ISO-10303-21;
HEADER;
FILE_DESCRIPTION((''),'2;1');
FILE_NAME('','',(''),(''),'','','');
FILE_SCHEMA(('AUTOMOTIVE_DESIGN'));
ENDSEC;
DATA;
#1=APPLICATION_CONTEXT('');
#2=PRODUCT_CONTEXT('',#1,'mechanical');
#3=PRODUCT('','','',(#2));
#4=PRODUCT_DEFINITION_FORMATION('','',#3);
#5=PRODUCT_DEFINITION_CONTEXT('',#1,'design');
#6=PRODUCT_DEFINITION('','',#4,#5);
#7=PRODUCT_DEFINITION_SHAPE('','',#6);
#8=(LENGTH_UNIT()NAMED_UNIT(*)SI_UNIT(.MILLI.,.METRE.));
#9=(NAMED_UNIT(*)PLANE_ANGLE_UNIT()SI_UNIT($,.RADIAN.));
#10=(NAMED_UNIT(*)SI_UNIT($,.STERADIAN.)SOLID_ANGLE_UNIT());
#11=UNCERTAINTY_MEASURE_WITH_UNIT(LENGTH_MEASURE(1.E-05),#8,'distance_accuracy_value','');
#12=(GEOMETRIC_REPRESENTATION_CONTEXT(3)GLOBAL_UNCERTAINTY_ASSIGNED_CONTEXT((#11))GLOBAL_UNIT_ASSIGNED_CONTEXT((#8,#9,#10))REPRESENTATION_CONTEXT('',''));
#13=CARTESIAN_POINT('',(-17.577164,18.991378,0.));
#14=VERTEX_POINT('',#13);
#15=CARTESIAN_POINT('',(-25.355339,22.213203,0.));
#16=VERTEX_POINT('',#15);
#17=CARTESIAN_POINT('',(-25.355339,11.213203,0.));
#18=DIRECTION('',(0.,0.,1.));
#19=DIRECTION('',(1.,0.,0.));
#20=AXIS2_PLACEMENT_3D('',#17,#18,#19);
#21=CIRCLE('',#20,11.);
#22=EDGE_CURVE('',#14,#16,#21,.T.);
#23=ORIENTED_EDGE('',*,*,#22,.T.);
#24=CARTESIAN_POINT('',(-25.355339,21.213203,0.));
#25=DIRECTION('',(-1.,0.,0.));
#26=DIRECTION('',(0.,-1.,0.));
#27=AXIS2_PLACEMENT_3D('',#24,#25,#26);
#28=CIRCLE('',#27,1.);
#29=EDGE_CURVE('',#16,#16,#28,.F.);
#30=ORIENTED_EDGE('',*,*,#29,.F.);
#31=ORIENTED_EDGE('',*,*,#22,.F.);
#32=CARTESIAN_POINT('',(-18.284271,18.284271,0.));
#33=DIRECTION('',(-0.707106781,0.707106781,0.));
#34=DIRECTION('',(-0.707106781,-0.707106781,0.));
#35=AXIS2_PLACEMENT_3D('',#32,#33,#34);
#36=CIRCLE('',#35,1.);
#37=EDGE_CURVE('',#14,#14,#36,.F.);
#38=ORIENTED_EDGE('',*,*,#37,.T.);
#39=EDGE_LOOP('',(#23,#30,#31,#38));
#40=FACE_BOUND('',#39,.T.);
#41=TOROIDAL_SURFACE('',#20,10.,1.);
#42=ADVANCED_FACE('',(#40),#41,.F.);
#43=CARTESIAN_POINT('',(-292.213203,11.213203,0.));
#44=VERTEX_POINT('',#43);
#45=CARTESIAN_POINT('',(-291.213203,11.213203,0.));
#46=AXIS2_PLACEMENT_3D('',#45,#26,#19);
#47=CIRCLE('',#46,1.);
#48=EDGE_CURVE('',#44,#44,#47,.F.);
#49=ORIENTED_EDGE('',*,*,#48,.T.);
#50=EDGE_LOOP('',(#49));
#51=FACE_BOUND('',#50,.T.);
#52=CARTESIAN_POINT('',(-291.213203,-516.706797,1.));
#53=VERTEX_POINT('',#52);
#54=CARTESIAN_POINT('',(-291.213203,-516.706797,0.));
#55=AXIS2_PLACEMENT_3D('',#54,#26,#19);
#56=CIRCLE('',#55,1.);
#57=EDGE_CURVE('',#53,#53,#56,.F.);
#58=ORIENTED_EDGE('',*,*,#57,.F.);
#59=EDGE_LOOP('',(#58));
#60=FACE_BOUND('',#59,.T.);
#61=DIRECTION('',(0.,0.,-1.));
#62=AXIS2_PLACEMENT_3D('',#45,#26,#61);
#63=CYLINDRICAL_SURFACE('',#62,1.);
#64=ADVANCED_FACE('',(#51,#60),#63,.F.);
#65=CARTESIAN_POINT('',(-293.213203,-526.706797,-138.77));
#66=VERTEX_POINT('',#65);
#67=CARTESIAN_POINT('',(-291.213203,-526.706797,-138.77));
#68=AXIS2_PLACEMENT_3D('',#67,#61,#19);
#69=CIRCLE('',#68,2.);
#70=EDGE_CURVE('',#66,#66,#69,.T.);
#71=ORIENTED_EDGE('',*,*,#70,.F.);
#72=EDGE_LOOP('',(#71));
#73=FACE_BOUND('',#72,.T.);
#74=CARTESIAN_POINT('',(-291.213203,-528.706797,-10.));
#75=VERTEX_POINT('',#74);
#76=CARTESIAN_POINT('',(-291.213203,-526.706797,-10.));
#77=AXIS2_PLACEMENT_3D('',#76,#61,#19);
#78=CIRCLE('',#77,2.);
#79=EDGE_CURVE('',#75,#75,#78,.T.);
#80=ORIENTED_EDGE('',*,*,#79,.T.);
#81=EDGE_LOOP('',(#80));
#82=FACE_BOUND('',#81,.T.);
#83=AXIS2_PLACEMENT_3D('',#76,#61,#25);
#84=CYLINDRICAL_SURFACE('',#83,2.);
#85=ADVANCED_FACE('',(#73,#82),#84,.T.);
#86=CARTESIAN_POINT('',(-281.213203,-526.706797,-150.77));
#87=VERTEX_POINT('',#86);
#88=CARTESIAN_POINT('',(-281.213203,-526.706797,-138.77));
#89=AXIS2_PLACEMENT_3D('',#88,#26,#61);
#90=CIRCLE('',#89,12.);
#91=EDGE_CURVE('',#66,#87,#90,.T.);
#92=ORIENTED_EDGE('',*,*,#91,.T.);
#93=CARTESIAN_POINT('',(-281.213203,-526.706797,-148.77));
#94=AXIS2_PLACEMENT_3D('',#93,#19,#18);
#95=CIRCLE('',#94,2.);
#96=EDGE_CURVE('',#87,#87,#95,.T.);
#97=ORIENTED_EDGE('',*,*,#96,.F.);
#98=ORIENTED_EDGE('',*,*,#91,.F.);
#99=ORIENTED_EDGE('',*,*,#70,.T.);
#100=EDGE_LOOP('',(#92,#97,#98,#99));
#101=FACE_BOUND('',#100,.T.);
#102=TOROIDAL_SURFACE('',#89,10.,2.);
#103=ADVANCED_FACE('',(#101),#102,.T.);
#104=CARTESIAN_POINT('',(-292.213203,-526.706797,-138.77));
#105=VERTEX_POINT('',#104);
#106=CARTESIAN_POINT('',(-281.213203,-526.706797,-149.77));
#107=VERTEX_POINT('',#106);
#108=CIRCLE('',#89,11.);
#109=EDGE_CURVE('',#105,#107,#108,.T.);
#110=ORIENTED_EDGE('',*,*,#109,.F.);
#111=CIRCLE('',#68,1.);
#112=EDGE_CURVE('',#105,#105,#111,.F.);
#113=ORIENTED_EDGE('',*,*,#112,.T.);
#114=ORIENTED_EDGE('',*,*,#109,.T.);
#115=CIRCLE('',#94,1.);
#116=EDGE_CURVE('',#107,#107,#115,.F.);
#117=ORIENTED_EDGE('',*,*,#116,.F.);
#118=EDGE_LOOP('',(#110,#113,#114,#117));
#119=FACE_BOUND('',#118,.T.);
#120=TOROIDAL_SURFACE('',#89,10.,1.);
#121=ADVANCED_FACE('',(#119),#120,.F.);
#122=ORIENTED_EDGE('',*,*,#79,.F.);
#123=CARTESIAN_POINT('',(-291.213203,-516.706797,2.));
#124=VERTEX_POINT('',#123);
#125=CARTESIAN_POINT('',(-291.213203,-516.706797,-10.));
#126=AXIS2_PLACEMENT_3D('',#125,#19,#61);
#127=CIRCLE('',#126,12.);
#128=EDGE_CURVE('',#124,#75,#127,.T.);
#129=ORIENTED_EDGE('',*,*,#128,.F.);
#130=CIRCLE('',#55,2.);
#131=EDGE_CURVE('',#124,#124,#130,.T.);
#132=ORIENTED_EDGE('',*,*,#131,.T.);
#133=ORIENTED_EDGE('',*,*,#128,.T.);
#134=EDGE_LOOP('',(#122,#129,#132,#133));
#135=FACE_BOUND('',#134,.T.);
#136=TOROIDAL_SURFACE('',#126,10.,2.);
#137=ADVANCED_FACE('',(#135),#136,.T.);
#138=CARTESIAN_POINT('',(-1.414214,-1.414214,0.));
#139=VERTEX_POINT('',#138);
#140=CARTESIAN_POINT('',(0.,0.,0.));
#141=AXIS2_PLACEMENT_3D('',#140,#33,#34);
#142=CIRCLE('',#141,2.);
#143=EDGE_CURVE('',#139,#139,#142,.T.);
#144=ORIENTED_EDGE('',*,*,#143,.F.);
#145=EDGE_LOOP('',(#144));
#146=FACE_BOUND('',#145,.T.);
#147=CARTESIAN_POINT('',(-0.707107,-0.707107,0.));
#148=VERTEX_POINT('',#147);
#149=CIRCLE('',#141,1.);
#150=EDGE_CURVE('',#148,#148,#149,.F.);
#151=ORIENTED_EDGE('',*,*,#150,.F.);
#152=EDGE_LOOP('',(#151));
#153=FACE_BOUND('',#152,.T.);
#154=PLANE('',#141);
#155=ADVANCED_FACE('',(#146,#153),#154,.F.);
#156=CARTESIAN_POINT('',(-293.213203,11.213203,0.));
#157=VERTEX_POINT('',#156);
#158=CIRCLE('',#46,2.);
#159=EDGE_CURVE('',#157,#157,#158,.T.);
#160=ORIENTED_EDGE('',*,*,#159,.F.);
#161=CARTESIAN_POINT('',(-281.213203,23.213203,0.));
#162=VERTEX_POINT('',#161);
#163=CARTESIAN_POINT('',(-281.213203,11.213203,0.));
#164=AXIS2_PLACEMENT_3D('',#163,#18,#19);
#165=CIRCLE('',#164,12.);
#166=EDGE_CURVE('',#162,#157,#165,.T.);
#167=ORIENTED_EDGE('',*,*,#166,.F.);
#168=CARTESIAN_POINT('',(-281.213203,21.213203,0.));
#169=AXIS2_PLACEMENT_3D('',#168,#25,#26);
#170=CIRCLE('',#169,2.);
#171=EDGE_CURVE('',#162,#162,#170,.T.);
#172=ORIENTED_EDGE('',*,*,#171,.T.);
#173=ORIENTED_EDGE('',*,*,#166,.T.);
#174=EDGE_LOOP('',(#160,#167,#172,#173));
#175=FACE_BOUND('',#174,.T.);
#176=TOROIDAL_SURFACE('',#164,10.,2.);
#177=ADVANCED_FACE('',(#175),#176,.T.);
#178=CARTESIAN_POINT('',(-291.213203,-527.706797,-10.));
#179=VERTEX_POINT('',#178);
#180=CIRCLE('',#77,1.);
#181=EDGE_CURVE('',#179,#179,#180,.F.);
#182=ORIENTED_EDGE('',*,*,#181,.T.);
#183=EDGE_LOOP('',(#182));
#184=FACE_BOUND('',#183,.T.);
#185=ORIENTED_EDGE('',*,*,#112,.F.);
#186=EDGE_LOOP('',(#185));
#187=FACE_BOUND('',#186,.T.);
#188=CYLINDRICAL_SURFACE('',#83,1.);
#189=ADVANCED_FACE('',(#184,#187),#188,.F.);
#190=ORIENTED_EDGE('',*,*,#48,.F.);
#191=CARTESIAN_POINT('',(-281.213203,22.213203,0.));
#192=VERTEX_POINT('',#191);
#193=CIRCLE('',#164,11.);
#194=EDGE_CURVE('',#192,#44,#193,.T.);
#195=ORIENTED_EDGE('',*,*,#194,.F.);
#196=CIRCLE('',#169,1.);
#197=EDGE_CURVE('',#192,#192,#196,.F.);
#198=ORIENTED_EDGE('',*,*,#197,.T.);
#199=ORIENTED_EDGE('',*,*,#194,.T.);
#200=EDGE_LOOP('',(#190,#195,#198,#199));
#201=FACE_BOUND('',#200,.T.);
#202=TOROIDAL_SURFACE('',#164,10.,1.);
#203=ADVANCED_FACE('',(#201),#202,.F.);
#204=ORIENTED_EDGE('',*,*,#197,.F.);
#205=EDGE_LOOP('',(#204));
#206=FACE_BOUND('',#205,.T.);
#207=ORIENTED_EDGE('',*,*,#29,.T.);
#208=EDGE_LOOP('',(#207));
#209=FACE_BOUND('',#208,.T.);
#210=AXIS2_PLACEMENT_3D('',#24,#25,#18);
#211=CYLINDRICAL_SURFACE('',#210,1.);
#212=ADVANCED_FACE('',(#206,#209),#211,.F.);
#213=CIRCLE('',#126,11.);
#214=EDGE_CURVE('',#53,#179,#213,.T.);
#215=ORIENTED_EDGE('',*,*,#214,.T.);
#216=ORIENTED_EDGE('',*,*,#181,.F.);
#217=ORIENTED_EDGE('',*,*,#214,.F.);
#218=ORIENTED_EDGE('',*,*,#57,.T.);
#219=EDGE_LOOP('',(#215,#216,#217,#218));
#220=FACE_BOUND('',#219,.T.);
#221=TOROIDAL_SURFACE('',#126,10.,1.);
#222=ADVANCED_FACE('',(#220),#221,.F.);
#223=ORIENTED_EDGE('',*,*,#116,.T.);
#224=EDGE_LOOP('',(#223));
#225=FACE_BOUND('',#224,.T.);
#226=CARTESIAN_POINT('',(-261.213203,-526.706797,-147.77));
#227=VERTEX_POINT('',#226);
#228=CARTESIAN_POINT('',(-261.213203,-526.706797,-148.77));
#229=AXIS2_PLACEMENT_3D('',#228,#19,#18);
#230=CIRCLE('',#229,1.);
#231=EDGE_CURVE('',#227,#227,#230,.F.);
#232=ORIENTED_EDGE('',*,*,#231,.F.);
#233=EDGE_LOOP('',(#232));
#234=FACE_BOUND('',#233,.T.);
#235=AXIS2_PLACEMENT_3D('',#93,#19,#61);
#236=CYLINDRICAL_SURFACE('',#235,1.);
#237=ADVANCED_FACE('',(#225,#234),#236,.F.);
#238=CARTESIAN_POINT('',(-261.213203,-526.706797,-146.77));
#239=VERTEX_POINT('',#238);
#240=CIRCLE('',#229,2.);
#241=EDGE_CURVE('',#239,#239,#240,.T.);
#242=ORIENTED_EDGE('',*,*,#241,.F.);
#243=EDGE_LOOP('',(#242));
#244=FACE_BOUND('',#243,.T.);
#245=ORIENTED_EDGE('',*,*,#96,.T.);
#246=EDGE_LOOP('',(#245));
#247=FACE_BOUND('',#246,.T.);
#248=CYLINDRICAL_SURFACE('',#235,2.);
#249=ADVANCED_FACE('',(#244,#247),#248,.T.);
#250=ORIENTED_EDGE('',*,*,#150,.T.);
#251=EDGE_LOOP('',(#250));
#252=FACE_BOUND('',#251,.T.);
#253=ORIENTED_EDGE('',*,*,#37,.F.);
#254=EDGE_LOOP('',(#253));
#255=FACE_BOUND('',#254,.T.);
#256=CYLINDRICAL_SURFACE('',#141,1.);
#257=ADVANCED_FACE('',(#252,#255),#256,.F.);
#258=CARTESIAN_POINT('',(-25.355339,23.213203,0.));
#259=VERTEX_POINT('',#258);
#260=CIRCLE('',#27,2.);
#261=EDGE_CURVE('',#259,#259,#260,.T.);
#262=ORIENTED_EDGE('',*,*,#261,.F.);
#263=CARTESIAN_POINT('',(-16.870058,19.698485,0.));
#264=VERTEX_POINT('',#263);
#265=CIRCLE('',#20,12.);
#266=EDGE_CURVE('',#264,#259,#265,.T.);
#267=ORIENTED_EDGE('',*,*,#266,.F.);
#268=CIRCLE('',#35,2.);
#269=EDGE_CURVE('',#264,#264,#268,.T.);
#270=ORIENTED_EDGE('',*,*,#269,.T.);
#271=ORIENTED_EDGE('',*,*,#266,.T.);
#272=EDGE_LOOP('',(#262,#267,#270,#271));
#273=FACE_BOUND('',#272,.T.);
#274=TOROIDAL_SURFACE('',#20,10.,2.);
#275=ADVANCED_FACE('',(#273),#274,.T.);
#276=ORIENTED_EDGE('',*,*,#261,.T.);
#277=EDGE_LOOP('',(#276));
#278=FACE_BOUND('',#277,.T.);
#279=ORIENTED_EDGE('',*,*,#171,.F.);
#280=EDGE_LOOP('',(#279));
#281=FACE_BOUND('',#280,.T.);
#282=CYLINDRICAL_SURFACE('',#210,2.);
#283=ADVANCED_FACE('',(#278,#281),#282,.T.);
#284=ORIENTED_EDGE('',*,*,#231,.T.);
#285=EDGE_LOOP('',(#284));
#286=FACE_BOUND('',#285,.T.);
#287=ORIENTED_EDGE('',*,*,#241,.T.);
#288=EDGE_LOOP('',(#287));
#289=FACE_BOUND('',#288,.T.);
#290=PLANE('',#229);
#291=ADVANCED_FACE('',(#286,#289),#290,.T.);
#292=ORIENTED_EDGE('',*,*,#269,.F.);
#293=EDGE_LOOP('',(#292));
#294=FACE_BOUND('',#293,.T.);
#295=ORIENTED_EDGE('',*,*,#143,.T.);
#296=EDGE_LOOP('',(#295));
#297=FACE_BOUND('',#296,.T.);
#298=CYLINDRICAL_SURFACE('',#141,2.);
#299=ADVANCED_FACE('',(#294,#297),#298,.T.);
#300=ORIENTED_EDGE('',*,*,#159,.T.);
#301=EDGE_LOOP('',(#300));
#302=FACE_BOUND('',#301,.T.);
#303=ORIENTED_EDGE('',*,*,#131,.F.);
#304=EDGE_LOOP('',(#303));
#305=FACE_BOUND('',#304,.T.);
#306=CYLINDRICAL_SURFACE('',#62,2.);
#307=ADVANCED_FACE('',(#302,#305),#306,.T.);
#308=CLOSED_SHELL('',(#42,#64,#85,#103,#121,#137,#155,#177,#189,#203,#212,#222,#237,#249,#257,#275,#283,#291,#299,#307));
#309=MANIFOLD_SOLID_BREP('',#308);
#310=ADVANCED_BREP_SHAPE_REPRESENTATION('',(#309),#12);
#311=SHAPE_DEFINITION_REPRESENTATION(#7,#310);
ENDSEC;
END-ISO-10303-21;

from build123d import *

# Parameters (mm, degrees)
SKETCH4_R   = 2
SKETCH4_R_2 = 1


with BuildPart() as part:
    # Sweep2: sweep along a curve in space
    with BuildLine() as sweep2_path:
        Line((0, 0, 0), (-18.284271247, 18.284271247, 0))
        ThreePointArc((-18.284271247, 18.284271247, 0), (-21.528504736, 20.451998761, 0), (-25.355339059, 21.213203436, 0))
        Line((-25.355339059, 21.213203436, 0), (-281.213203436, 21.213203436, 0))
        ThreePointArc((-281.213203436, 21.213203436, 0), (-288.284271247, 18.284271247, 0), (-291.213203436, 11.213203436, 0))
        Line((-291.213203436, 11.213203436, 0), (-291.213203436, -516.706796564, 0))
        ThreePointArc((-291.213203436, -516.706796564, 0), (-291.213203436, -523.777864376, -2.928932188), (-291.213203436, -526.706796564, -10))
        Line((-291.213203436, -526.706796564, -10), (-291.213203436, -526.706796564, -138.77))
        ThreePointArc((-291.213203436, -526.706796564, -138.77), (-288.284271247, -526.706796564, -145.841067812), (-281.213203436, -526.706796564, -148.77))
        Line((-281.213203436, -526.706796564, -148.77), (-261.213203436, -526.706796564, -148.77))
    # Sketch4 → Sweep2 (sweep)
    with BuildSketch(Plane(origin=(0, 0, 0), x_dir=(0, 0, 1), z_dir=(-0.7071067811865488, 0.7071067811865464, 0))):
        Circle(SKETCH4_R)
        Circle(SKETCH4_R_2, mode=Mode.SUBTRACT)
    sweep(path=sweep2_path.line)


solid = part.part
